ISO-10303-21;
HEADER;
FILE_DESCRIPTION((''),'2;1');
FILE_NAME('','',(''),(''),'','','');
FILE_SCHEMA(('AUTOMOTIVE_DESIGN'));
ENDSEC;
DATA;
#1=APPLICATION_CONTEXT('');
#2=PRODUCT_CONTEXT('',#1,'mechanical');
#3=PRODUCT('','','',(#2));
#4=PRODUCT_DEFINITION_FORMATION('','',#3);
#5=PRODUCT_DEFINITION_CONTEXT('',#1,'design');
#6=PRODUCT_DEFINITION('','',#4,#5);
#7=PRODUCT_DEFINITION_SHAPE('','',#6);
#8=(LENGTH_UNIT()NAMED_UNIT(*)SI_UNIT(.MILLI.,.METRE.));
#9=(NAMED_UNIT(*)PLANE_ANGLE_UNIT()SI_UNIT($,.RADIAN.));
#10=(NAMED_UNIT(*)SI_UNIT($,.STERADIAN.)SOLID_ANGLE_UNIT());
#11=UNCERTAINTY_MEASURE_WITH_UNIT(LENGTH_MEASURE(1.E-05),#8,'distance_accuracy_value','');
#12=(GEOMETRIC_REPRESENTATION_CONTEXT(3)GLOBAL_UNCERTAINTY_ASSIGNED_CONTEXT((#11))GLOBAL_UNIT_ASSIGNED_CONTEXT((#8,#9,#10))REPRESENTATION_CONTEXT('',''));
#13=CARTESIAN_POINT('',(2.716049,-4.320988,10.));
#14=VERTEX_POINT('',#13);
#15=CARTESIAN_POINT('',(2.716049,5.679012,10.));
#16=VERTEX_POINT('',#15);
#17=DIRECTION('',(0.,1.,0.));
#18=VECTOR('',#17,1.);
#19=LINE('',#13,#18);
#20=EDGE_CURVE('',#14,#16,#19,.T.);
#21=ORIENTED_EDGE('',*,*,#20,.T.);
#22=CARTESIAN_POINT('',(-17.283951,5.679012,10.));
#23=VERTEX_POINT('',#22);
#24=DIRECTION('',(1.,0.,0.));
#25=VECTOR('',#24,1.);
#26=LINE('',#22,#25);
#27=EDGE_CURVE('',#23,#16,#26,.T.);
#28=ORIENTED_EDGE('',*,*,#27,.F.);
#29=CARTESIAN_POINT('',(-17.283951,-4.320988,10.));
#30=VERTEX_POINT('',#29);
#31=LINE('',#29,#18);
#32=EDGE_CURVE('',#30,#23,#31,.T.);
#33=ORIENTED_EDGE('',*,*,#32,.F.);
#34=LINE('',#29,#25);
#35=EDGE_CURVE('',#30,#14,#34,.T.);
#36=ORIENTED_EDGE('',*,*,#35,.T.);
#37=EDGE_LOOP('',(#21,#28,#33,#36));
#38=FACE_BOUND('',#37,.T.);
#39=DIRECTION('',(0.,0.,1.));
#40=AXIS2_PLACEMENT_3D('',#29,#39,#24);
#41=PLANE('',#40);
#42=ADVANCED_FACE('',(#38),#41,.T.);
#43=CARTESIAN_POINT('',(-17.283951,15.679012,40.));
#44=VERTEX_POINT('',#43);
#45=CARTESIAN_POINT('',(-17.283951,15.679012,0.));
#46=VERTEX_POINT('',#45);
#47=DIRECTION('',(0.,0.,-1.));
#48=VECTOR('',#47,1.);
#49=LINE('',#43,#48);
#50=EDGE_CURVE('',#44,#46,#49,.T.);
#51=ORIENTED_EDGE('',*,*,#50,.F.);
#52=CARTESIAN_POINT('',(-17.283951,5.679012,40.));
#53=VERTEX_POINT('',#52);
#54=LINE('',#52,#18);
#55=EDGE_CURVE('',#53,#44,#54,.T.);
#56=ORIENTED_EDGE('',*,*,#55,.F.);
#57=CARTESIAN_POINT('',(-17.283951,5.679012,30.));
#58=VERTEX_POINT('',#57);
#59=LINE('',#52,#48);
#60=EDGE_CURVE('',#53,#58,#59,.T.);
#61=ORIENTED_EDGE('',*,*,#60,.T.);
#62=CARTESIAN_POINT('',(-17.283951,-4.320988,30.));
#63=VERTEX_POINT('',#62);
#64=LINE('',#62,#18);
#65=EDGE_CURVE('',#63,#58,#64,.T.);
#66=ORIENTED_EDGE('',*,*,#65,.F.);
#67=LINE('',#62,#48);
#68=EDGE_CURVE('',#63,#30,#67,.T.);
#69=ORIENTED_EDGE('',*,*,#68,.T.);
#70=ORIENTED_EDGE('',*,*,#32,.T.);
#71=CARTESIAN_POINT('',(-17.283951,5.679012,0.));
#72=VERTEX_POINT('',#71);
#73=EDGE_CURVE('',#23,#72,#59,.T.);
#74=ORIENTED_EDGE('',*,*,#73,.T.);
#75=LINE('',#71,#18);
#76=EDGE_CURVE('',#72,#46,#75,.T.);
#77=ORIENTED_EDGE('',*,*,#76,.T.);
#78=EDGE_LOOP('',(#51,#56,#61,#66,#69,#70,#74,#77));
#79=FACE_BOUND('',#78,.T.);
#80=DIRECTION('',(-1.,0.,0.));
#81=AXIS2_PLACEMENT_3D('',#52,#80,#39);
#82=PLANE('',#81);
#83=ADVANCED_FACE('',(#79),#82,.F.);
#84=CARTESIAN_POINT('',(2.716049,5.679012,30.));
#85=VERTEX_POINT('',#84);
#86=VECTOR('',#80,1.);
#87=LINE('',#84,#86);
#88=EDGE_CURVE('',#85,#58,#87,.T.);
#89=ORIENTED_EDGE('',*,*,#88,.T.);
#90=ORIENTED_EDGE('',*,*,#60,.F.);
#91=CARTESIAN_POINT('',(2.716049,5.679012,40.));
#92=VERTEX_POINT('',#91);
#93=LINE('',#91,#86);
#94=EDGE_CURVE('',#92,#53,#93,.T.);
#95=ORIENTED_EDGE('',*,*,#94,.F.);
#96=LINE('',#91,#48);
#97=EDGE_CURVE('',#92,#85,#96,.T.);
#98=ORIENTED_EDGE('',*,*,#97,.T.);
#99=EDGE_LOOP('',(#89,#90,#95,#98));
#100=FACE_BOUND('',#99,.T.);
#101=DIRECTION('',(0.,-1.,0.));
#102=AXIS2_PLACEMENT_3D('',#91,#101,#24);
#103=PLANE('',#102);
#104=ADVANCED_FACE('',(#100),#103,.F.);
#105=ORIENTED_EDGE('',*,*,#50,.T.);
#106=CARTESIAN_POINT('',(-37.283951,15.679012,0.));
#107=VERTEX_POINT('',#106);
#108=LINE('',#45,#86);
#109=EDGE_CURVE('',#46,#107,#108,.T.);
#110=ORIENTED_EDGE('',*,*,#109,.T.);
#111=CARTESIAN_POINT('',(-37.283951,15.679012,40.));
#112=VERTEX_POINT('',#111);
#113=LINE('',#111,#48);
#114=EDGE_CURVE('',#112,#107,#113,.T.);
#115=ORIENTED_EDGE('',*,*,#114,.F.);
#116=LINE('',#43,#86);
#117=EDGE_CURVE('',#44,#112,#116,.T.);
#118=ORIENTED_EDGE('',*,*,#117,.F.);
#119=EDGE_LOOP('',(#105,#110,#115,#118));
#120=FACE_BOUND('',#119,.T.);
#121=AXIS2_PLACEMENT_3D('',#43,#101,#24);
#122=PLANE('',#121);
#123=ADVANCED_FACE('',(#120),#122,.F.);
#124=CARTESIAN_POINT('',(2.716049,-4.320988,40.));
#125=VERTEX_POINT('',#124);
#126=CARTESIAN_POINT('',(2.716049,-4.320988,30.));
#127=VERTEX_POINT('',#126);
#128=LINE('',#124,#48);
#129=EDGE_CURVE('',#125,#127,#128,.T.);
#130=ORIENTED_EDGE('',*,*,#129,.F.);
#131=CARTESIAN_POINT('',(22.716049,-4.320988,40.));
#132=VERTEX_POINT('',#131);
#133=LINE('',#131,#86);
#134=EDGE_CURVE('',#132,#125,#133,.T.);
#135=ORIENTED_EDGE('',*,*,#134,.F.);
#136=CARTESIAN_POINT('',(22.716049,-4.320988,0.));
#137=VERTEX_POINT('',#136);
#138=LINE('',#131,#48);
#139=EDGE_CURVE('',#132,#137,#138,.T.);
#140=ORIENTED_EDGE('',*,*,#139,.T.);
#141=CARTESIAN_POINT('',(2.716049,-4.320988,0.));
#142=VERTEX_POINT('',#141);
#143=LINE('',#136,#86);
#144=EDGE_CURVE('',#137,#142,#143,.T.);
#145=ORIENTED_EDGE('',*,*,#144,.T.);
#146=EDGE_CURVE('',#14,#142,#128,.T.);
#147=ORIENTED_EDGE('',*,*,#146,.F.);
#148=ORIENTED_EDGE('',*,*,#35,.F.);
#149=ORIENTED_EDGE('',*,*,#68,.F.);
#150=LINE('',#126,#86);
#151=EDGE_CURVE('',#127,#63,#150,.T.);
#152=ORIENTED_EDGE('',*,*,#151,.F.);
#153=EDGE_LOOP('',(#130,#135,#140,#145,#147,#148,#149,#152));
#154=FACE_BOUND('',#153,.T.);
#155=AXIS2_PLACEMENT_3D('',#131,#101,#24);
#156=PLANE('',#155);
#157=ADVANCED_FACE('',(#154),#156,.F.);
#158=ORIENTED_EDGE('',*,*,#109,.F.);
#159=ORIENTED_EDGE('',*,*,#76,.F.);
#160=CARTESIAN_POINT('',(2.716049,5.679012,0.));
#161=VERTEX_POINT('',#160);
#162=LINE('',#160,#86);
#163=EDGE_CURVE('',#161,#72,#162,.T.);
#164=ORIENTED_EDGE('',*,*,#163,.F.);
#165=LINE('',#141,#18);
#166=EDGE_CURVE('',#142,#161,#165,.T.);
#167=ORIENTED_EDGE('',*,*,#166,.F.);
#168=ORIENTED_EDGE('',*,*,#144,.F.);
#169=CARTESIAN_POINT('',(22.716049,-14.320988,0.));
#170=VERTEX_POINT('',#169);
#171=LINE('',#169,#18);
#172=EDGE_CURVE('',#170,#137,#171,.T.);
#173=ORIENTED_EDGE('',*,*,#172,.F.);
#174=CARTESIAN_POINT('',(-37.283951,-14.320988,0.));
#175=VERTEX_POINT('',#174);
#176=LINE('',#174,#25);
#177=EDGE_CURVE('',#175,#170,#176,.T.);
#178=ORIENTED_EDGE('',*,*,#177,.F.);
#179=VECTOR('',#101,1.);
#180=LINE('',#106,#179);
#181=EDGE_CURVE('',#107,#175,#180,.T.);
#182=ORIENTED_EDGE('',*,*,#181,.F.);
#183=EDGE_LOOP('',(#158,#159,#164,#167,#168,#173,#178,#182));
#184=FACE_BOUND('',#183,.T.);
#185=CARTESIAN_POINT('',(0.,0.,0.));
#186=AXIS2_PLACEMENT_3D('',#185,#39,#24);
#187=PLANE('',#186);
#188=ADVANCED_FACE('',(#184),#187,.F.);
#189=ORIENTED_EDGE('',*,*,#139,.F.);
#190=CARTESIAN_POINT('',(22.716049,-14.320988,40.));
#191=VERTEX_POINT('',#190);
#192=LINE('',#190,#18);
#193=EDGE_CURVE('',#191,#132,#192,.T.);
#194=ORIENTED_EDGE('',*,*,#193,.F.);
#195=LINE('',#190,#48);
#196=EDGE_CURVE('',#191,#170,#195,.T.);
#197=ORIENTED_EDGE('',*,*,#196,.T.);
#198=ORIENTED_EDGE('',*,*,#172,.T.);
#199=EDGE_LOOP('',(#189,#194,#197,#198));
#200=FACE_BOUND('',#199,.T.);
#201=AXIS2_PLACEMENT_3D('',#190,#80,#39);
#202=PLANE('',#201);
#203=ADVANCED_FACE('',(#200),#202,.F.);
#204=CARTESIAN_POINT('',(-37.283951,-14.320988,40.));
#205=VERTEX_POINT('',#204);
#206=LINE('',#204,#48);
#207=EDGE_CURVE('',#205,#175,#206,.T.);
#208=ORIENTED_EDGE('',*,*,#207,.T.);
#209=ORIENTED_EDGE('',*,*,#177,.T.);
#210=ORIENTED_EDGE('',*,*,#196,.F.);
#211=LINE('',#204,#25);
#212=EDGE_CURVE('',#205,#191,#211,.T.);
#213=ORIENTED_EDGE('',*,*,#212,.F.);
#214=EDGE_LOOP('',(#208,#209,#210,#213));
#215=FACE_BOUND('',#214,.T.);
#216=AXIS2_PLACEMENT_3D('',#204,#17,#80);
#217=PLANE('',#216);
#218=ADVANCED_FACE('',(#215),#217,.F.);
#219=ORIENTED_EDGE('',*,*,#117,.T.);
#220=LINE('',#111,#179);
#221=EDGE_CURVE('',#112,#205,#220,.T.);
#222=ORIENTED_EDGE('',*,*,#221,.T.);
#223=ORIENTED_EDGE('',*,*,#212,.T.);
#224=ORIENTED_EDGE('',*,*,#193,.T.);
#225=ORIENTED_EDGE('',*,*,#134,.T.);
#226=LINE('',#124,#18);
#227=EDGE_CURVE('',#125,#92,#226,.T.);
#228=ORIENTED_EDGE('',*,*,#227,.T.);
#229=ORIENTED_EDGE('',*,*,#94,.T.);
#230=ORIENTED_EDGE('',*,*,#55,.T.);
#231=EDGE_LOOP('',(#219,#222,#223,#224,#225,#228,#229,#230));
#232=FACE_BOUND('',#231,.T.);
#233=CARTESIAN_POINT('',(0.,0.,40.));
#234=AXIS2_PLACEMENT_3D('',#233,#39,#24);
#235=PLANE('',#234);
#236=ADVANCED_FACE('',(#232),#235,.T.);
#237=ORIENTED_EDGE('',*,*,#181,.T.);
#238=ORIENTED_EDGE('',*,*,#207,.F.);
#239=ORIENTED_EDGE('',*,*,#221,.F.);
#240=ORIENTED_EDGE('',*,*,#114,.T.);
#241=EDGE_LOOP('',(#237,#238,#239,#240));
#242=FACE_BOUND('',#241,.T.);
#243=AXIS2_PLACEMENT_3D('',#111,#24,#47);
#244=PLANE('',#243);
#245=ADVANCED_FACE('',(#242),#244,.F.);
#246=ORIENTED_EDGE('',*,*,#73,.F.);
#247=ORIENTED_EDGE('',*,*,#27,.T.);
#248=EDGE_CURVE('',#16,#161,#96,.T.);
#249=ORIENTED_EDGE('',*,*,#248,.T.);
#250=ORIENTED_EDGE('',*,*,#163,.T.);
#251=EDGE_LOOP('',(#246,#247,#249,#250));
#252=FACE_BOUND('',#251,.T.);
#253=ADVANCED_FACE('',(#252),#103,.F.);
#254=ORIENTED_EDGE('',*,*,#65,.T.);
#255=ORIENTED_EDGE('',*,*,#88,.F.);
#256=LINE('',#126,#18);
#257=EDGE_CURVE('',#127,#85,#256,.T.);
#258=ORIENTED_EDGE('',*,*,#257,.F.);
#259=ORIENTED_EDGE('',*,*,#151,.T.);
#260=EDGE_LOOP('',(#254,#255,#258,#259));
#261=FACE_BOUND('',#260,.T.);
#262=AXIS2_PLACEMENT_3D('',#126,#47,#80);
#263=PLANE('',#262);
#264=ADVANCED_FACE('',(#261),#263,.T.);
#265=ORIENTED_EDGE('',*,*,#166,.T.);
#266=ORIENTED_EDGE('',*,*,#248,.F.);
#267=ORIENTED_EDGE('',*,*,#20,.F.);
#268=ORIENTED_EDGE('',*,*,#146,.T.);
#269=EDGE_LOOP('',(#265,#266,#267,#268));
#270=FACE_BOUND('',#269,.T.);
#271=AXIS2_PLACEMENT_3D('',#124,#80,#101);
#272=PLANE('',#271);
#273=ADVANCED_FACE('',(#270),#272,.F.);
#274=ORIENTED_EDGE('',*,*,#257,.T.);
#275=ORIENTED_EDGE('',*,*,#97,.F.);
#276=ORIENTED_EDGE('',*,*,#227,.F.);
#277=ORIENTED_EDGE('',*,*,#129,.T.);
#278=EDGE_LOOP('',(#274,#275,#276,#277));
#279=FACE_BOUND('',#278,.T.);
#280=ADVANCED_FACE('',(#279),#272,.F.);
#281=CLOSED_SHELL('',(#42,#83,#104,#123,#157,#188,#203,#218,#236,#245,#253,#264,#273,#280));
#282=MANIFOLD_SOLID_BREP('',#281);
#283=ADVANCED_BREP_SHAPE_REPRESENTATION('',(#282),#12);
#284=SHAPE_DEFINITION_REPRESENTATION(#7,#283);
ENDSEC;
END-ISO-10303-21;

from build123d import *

# Parameters (mm, degrees)
BOSS_EXTRUDE1_DEPTH = 40
SKETCH2_W           = 20
SKETCH2_H           = 20
CUT_EXTRUDE1_DEPTH  = 10


with BuildPart() as part:
    # Sketch1 → Boss-Extrude1 (new body)
    with BuildSketch(Plane.XY):
        Polygon((-37.283950617, 15.679012346), (-37.283950617, -14.320987654), (22.716049383, -14.320987654), (22.716049383, -4.320987654), (2.716049383, -4.320987654), (2.716049383, 5.679012346), (-17.283950617, 5.679012346), (-17.283950617, 15.679012346), align=None)
    extrude(amount=BOSS_EXTRUDE1_DEPTH)

    # Sketch2 → Cut-Extrude1 (cut)
    with BuildSketch(Plane(origin=(0, 5.679012346, 0), x_dir=(1, 0, 0), z_dir=(0, 1, 0))):
        with Locations((-7.283950617, -20)):
            Rectangle(SKETCH2_W, SKETCH2_H)
    extrude(amount=-CUT_EXTRUDE1_DEPTH, mode=Mode.SUBTRACT)


solid = part.part
